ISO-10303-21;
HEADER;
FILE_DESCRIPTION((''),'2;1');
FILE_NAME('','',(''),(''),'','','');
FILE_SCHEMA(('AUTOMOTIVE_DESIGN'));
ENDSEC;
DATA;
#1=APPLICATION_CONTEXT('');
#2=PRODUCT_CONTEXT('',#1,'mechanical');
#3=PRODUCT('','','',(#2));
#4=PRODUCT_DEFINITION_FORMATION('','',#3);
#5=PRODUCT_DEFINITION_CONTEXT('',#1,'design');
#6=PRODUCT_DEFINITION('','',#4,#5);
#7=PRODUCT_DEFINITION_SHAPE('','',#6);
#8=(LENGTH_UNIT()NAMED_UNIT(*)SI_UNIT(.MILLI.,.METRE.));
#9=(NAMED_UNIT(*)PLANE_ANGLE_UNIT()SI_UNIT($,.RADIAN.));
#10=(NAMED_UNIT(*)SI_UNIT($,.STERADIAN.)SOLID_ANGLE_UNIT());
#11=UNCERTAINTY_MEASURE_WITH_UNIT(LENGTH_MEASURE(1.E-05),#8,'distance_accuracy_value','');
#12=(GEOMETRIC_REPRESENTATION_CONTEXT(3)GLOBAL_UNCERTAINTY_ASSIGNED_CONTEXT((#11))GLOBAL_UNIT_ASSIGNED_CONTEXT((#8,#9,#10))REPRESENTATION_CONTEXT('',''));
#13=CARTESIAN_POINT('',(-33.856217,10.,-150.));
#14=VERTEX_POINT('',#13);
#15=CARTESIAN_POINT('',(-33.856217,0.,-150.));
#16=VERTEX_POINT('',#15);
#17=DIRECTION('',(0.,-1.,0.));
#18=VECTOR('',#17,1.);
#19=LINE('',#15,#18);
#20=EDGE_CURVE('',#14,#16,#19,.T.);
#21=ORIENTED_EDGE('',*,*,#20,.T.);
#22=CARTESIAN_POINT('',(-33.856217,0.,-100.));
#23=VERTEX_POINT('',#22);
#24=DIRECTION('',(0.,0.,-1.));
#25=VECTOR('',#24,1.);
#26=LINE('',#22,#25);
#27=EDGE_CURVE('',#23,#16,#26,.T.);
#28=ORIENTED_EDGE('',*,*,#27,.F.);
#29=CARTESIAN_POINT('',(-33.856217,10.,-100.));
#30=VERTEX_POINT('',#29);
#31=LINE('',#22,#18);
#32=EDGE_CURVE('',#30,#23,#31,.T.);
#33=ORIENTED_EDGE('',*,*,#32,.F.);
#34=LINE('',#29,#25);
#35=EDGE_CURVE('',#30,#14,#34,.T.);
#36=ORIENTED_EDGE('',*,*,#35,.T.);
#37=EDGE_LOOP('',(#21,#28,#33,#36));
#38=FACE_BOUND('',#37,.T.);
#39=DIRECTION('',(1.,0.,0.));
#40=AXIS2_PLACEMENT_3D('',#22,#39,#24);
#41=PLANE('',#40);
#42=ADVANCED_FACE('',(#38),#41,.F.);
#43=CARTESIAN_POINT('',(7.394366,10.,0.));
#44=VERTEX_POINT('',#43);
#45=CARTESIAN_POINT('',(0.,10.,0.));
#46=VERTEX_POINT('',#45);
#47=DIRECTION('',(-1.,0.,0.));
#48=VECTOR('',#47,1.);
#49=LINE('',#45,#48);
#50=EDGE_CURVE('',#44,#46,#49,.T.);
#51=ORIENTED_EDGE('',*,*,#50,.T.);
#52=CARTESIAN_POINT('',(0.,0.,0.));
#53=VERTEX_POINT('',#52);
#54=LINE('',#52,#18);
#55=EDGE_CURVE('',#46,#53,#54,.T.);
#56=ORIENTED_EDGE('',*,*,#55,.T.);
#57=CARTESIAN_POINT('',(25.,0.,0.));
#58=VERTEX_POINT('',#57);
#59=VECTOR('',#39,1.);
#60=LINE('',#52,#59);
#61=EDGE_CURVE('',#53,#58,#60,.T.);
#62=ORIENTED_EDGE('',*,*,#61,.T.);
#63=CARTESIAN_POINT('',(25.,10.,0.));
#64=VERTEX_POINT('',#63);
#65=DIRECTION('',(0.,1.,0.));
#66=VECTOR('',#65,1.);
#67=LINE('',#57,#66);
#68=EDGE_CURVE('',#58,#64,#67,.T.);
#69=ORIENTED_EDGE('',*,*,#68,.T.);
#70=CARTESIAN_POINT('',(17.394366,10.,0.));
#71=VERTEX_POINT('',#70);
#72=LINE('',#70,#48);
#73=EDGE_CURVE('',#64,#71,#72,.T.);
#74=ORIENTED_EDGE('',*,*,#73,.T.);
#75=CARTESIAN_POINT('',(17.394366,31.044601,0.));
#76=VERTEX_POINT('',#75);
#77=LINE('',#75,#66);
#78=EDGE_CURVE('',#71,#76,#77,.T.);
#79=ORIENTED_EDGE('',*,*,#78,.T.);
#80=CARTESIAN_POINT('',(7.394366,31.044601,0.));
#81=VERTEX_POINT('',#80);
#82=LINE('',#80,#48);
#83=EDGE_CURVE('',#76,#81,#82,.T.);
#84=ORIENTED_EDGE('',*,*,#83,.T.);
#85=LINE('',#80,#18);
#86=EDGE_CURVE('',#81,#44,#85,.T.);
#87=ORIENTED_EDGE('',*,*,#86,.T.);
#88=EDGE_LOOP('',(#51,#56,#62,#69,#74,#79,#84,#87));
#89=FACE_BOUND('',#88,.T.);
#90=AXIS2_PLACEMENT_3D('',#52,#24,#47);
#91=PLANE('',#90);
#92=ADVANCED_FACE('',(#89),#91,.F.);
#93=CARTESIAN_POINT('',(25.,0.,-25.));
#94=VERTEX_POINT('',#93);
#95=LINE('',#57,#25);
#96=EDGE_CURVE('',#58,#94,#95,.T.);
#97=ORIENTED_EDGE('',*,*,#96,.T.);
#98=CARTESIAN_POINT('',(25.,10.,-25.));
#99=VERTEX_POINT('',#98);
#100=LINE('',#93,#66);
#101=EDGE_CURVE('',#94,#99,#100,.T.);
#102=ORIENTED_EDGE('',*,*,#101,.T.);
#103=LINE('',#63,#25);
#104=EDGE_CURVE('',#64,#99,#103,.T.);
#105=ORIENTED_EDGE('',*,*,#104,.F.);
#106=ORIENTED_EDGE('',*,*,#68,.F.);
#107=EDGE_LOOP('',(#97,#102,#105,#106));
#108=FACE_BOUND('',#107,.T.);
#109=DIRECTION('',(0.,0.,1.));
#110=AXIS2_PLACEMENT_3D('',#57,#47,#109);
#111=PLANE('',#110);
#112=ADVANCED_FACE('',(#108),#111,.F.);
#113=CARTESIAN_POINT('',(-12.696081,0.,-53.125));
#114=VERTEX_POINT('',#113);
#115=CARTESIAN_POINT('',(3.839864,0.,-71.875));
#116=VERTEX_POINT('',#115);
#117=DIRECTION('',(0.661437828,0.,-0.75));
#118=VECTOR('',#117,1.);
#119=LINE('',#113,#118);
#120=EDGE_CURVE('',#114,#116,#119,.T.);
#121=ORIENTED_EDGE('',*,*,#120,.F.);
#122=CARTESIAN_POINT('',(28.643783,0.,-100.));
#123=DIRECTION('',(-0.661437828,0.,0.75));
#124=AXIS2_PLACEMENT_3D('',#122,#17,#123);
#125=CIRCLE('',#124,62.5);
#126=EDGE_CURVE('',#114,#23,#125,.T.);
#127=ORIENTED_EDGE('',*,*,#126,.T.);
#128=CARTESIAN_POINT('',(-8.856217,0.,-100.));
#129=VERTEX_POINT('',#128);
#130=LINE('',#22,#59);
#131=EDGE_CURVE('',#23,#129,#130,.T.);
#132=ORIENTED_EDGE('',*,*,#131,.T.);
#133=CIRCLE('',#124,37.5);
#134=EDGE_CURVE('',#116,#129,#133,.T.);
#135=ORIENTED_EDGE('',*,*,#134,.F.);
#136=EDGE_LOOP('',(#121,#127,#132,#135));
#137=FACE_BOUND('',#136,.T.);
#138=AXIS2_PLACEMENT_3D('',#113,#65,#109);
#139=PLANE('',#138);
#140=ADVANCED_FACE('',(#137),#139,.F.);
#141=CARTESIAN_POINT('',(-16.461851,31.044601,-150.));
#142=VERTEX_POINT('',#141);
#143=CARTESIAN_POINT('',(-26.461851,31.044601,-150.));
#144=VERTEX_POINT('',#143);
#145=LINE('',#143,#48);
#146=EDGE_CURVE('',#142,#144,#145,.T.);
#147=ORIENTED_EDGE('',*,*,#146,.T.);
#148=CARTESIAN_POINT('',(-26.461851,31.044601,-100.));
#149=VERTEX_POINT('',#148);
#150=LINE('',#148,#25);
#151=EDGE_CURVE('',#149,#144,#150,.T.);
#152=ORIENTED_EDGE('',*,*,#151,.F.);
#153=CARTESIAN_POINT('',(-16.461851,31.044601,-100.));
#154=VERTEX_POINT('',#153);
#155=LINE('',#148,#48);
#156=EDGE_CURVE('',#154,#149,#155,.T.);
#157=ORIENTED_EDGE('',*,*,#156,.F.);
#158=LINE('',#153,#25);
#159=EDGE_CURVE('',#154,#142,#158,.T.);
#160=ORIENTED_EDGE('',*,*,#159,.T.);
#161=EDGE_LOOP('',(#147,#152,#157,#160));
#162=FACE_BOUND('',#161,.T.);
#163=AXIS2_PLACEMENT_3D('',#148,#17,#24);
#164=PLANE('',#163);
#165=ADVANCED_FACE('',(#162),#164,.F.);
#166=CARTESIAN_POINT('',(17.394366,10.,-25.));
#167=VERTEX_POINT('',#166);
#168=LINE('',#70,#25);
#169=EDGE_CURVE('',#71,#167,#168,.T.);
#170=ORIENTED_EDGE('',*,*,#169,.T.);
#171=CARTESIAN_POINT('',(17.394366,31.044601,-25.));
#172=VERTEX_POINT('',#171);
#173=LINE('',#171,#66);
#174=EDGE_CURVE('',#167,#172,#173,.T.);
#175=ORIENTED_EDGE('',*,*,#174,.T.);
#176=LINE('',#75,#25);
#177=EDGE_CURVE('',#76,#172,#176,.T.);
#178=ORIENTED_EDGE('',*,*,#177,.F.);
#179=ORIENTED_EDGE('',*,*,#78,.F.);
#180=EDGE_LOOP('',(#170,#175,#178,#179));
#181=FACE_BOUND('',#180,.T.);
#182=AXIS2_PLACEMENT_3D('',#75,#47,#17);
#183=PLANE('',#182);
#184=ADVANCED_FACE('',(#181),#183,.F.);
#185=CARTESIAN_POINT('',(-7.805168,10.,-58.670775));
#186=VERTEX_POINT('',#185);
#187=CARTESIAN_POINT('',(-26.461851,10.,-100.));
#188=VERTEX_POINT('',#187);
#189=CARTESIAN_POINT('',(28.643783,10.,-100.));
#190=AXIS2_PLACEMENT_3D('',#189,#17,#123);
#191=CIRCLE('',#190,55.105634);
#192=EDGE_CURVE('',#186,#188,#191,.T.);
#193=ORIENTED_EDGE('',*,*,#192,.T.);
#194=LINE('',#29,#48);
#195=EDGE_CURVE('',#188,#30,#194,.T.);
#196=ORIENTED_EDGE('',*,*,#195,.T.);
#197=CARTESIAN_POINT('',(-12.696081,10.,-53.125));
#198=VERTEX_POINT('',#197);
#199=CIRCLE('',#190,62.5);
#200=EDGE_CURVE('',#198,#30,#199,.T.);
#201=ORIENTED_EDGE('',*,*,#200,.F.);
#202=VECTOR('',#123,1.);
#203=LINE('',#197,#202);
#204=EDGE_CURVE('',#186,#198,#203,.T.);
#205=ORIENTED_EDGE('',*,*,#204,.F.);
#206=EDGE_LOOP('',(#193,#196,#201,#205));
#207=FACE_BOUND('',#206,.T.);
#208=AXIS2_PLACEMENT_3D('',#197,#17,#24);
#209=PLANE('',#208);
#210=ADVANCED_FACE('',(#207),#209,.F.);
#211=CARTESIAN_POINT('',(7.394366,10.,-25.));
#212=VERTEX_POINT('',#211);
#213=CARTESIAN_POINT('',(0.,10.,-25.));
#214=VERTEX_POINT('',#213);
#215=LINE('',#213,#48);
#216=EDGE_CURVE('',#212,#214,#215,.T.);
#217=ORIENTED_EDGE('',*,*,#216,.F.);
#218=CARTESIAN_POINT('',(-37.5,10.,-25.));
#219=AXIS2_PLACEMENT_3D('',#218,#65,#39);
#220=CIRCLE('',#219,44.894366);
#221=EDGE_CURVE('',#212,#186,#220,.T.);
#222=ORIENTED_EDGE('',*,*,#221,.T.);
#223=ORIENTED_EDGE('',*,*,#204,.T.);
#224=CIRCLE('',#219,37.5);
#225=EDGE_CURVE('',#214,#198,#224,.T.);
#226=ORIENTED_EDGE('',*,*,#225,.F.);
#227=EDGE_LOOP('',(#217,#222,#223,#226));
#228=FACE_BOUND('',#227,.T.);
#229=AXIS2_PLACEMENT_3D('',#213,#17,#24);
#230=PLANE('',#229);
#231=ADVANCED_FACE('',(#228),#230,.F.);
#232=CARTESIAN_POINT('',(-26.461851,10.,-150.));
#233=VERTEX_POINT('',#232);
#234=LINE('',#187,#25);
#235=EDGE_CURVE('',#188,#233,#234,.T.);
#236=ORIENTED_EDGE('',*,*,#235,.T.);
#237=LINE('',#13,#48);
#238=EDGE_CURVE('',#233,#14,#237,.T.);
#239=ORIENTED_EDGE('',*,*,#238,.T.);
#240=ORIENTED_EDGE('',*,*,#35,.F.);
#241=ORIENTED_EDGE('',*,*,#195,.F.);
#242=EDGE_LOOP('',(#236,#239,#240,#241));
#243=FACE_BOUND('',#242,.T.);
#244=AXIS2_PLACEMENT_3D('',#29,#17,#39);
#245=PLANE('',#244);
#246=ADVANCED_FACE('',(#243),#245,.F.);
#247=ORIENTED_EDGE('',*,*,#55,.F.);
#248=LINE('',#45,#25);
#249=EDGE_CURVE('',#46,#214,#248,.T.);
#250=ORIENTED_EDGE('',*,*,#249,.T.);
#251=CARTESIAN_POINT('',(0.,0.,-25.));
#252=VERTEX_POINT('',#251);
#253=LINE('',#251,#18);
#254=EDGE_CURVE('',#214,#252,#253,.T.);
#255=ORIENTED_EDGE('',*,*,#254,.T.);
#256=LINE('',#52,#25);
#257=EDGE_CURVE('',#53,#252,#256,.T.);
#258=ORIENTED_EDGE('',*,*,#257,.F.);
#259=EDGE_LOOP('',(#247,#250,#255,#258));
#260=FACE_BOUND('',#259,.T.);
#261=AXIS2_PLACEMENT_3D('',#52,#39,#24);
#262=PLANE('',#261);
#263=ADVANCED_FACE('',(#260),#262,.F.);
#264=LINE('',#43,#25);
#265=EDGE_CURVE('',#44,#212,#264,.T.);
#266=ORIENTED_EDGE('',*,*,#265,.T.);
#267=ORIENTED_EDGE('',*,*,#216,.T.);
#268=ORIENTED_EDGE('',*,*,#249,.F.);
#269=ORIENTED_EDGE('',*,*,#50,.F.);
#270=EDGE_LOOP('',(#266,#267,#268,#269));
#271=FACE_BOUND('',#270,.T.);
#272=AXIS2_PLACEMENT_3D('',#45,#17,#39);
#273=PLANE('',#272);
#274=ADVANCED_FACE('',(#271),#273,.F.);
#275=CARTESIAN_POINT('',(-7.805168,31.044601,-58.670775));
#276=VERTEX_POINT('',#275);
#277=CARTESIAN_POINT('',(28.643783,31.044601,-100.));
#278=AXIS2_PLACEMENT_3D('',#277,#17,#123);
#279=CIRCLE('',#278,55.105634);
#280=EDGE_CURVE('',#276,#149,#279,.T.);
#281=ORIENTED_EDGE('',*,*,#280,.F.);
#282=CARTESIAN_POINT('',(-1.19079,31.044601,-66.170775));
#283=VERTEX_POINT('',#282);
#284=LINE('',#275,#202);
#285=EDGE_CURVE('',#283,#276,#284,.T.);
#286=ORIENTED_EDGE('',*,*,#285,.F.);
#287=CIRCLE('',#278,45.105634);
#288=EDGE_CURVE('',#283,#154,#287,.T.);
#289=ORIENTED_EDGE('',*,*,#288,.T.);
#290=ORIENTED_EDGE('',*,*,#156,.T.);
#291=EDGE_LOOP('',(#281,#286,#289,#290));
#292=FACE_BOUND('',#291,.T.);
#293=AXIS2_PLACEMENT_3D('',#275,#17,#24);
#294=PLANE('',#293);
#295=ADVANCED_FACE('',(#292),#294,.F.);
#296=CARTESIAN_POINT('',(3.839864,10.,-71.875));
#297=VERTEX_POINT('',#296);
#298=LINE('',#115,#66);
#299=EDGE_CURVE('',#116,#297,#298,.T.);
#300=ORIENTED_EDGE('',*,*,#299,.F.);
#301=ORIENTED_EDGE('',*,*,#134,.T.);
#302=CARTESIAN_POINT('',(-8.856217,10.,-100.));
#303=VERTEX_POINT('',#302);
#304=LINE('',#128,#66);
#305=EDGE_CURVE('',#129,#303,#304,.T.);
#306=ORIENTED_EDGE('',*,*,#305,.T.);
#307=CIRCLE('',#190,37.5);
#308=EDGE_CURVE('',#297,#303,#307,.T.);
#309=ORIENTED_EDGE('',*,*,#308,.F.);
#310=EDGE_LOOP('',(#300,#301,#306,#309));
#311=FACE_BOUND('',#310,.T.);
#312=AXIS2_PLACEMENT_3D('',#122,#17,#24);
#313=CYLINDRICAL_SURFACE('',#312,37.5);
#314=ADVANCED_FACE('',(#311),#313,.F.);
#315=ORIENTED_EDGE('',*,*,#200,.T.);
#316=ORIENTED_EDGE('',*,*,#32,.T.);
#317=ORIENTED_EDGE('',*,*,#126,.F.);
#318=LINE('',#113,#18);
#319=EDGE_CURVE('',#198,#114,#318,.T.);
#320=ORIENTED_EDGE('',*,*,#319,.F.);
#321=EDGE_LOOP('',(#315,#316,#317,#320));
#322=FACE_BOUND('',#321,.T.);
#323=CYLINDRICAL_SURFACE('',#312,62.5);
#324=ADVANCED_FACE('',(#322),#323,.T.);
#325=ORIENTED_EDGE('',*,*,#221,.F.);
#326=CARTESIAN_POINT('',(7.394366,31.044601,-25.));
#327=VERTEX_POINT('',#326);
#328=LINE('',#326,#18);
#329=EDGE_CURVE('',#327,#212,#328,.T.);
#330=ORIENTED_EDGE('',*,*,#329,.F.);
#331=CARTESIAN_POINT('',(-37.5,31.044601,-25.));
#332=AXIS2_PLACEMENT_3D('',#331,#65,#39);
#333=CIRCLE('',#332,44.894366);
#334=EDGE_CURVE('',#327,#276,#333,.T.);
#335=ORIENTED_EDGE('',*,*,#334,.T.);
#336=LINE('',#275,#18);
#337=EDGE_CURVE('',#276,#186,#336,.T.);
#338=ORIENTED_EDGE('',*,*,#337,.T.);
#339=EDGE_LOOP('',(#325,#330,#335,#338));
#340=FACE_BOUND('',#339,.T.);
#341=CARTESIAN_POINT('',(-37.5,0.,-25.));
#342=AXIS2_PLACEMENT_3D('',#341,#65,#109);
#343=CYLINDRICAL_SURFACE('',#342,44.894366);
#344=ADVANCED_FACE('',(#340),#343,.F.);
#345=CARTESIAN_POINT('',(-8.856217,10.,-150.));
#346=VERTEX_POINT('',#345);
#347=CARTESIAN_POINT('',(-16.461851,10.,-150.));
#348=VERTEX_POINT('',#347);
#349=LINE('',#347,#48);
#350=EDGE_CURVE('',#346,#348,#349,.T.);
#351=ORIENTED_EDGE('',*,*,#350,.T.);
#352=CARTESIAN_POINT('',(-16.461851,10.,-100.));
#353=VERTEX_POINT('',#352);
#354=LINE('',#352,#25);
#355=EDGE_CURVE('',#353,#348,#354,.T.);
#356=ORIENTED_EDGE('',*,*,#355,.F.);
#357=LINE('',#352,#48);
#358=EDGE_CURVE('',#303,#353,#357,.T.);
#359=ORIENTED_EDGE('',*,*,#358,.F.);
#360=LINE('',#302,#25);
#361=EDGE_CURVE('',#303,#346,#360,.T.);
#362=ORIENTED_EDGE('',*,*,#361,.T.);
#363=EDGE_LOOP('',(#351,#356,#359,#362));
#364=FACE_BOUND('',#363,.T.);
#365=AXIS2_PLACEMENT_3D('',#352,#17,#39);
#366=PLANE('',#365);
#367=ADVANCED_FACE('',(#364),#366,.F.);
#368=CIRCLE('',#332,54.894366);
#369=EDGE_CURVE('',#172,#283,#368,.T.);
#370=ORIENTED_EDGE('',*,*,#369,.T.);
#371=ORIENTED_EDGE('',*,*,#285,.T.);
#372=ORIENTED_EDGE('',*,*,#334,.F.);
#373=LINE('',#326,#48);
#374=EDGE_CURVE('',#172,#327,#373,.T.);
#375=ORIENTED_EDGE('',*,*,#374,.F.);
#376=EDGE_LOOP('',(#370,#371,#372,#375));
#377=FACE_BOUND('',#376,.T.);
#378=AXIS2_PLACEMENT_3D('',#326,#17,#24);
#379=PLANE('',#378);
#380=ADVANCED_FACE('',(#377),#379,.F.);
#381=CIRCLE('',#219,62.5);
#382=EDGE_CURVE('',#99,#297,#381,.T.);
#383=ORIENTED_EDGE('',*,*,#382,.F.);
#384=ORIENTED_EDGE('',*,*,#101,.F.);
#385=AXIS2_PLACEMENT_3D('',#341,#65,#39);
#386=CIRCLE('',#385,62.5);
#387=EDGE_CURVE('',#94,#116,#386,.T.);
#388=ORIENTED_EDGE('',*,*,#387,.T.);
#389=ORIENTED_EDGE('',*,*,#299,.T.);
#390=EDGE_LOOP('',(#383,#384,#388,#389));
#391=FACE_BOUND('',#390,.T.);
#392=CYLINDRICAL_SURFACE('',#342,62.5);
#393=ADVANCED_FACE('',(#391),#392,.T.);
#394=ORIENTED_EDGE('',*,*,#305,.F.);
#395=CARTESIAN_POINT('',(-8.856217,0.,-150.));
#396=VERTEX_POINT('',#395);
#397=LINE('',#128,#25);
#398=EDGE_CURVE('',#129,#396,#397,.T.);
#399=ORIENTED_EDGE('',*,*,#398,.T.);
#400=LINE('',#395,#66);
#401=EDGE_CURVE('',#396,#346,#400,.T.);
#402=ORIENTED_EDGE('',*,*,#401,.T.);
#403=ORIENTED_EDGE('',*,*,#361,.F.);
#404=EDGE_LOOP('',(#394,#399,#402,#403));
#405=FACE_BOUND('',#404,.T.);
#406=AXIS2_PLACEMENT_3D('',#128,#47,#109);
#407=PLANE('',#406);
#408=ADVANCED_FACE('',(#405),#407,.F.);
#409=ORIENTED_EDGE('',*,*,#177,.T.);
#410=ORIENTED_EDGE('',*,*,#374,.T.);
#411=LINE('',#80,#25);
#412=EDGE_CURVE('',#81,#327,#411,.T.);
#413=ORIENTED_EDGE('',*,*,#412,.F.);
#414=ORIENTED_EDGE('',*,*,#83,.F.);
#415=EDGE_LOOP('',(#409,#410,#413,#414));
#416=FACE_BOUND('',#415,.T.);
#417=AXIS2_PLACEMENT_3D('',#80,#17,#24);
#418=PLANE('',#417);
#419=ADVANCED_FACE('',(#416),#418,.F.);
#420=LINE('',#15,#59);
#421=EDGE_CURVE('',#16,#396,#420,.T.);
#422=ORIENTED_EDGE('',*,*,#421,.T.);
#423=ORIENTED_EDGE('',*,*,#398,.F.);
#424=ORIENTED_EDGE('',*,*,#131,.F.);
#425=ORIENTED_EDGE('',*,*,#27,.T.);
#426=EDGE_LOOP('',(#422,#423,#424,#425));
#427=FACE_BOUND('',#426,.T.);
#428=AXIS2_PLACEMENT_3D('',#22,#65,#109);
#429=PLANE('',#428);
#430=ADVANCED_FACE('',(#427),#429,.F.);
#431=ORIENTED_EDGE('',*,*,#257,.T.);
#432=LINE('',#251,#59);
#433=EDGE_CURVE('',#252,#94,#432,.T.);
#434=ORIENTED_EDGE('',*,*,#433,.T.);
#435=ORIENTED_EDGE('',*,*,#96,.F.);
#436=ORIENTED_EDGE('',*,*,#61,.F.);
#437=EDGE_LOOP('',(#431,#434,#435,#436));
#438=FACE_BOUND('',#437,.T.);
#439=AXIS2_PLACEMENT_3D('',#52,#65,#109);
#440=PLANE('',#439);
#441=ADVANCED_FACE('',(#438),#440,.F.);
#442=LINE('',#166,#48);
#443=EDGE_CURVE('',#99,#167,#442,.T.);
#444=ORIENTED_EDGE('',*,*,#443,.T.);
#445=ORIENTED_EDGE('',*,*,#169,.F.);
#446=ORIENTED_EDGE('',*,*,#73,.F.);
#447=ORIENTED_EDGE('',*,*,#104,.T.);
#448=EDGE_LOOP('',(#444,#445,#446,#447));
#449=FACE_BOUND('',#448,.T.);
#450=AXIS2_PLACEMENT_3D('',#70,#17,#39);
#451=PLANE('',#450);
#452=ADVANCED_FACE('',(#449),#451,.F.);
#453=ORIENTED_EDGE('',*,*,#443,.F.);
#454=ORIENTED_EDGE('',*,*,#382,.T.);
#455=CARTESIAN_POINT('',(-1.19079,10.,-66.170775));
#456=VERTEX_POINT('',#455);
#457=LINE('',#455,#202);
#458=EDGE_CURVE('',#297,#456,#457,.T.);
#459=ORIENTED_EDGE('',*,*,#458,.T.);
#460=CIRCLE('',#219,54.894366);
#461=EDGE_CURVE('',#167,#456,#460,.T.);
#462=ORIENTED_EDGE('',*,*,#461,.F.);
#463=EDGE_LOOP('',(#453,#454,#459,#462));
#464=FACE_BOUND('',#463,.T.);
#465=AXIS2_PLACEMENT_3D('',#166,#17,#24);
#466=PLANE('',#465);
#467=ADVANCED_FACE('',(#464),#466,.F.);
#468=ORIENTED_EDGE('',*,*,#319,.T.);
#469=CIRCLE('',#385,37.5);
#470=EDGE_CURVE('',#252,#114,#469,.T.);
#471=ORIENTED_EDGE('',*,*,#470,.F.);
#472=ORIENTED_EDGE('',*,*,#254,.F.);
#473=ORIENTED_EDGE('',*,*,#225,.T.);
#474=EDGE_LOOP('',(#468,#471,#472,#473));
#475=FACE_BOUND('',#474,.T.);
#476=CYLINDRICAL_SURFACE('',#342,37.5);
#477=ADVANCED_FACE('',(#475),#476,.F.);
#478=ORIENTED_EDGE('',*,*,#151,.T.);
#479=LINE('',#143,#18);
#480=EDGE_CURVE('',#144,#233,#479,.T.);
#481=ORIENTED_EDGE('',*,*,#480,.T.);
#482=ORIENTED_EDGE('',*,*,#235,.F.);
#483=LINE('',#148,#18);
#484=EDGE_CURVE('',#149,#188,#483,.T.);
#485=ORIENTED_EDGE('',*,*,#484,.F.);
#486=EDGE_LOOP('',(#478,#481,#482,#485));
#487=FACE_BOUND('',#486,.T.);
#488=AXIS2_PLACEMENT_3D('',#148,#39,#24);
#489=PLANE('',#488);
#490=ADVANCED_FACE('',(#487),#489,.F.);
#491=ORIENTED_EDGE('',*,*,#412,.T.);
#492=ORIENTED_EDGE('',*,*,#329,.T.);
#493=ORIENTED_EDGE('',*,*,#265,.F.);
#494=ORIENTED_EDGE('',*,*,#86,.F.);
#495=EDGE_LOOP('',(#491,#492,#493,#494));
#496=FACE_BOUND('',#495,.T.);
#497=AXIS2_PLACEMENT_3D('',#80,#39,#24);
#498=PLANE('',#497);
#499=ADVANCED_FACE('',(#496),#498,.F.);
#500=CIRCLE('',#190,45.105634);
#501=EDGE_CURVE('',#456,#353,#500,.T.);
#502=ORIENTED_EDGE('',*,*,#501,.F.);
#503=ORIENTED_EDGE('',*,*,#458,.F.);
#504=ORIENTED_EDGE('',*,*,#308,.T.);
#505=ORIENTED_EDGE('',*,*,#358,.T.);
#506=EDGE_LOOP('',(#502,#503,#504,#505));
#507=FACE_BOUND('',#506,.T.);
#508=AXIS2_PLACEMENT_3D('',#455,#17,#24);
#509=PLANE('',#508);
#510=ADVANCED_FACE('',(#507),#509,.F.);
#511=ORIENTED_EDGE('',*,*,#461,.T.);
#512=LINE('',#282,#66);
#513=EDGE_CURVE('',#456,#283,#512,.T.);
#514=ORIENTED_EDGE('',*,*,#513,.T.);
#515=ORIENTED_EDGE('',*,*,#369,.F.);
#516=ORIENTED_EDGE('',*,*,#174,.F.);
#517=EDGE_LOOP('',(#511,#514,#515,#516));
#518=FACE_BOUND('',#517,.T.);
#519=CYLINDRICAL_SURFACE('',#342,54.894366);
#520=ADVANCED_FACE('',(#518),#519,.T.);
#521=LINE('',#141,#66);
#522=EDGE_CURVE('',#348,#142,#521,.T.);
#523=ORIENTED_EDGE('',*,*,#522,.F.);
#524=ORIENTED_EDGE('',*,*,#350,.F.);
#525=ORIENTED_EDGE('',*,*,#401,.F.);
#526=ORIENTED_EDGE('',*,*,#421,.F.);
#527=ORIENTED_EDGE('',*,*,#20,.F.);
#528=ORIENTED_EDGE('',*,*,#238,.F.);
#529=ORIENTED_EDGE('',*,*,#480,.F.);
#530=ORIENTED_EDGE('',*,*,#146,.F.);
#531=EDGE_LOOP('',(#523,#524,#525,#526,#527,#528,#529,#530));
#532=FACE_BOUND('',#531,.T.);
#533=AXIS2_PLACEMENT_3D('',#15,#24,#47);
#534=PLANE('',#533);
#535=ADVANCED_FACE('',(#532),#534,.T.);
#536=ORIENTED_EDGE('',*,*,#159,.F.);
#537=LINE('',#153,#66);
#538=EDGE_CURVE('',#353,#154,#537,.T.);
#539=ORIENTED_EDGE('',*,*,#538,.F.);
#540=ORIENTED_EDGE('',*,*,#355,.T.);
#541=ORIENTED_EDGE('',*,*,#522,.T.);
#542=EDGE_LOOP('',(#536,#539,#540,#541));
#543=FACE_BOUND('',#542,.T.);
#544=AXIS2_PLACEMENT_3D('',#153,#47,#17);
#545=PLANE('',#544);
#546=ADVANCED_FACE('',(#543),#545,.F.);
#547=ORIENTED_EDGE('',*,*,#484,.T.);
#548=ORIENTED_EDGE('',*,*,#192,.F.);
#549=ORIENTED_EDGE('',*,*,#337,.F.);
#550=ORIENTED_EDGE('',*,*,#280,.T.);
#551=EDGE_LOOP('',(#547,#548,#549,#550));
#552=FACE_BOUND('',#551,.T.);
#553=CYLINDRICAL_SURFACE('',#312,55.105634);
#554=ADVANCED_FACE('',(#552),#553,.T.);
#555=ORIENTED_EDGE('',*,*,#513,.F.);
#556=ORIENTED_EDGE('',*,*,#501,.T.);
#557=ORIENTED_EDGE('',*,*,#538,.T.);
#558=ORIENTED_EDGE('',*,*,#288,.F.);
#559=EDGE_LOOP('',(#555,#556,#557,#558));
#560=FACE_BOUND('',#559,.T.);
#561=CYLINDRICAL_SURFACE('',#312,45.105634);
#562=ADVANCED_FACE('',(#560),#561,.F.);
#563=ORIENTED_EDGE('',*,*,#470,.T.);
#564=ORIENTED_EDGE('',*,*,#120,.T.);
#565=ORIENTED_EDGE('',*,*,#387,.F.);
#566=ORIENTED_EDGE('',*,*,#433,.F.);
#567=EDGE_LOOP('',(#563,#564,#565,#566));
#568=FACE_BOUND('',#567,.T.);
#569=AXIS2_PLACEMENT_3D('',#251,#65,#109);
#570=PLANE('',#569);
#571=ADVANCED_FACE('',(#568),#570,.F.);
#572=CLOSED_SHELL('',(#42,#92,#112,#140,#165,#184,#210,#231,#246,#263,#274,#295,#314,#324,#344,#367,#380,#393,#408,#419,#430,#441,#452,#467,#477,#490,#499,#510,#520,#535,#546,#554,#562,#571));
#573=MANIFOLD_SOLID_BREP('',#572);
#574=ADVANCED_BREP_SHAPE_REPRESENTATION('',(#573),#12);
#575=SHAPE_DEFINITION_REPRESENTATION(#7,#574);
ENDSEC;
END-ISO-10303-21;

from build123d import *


with BuildPart() as part:
    # Sweep1: sweep along a path in Sketch3
    with BuildLine(Plane(origin=(0, 0, 0), x_dir=(1, 0, 0), z_dir=(0, 1, 0))) as sweep1_path:
        Line((12.5, 0), (12.5, 25))
        ThreePointArc((12.5, 25), (8.071891388, 45.571891388), (-4.428108612, 62.5))
        ThreePointArc((-4.428108612, 62.5), (-16.928108612, 79.428108612), (-21.356217223, 100))
        Line((-21.356217223, 100), (-21.356217223, 150))
    # Sketch1 → Sweep1 (sweep)
    with BuildSketch(Plane.XY):
        Polygon((17.394366197, 10), (25, 10), (25, 0), (0, 0), (0, 10), (7.394366197, 10), (7.394366197, 31.044600939), (17.394366197, 31.044600939), align=None)
    sweep(path=sweep1_path.line)


solid = part.part
